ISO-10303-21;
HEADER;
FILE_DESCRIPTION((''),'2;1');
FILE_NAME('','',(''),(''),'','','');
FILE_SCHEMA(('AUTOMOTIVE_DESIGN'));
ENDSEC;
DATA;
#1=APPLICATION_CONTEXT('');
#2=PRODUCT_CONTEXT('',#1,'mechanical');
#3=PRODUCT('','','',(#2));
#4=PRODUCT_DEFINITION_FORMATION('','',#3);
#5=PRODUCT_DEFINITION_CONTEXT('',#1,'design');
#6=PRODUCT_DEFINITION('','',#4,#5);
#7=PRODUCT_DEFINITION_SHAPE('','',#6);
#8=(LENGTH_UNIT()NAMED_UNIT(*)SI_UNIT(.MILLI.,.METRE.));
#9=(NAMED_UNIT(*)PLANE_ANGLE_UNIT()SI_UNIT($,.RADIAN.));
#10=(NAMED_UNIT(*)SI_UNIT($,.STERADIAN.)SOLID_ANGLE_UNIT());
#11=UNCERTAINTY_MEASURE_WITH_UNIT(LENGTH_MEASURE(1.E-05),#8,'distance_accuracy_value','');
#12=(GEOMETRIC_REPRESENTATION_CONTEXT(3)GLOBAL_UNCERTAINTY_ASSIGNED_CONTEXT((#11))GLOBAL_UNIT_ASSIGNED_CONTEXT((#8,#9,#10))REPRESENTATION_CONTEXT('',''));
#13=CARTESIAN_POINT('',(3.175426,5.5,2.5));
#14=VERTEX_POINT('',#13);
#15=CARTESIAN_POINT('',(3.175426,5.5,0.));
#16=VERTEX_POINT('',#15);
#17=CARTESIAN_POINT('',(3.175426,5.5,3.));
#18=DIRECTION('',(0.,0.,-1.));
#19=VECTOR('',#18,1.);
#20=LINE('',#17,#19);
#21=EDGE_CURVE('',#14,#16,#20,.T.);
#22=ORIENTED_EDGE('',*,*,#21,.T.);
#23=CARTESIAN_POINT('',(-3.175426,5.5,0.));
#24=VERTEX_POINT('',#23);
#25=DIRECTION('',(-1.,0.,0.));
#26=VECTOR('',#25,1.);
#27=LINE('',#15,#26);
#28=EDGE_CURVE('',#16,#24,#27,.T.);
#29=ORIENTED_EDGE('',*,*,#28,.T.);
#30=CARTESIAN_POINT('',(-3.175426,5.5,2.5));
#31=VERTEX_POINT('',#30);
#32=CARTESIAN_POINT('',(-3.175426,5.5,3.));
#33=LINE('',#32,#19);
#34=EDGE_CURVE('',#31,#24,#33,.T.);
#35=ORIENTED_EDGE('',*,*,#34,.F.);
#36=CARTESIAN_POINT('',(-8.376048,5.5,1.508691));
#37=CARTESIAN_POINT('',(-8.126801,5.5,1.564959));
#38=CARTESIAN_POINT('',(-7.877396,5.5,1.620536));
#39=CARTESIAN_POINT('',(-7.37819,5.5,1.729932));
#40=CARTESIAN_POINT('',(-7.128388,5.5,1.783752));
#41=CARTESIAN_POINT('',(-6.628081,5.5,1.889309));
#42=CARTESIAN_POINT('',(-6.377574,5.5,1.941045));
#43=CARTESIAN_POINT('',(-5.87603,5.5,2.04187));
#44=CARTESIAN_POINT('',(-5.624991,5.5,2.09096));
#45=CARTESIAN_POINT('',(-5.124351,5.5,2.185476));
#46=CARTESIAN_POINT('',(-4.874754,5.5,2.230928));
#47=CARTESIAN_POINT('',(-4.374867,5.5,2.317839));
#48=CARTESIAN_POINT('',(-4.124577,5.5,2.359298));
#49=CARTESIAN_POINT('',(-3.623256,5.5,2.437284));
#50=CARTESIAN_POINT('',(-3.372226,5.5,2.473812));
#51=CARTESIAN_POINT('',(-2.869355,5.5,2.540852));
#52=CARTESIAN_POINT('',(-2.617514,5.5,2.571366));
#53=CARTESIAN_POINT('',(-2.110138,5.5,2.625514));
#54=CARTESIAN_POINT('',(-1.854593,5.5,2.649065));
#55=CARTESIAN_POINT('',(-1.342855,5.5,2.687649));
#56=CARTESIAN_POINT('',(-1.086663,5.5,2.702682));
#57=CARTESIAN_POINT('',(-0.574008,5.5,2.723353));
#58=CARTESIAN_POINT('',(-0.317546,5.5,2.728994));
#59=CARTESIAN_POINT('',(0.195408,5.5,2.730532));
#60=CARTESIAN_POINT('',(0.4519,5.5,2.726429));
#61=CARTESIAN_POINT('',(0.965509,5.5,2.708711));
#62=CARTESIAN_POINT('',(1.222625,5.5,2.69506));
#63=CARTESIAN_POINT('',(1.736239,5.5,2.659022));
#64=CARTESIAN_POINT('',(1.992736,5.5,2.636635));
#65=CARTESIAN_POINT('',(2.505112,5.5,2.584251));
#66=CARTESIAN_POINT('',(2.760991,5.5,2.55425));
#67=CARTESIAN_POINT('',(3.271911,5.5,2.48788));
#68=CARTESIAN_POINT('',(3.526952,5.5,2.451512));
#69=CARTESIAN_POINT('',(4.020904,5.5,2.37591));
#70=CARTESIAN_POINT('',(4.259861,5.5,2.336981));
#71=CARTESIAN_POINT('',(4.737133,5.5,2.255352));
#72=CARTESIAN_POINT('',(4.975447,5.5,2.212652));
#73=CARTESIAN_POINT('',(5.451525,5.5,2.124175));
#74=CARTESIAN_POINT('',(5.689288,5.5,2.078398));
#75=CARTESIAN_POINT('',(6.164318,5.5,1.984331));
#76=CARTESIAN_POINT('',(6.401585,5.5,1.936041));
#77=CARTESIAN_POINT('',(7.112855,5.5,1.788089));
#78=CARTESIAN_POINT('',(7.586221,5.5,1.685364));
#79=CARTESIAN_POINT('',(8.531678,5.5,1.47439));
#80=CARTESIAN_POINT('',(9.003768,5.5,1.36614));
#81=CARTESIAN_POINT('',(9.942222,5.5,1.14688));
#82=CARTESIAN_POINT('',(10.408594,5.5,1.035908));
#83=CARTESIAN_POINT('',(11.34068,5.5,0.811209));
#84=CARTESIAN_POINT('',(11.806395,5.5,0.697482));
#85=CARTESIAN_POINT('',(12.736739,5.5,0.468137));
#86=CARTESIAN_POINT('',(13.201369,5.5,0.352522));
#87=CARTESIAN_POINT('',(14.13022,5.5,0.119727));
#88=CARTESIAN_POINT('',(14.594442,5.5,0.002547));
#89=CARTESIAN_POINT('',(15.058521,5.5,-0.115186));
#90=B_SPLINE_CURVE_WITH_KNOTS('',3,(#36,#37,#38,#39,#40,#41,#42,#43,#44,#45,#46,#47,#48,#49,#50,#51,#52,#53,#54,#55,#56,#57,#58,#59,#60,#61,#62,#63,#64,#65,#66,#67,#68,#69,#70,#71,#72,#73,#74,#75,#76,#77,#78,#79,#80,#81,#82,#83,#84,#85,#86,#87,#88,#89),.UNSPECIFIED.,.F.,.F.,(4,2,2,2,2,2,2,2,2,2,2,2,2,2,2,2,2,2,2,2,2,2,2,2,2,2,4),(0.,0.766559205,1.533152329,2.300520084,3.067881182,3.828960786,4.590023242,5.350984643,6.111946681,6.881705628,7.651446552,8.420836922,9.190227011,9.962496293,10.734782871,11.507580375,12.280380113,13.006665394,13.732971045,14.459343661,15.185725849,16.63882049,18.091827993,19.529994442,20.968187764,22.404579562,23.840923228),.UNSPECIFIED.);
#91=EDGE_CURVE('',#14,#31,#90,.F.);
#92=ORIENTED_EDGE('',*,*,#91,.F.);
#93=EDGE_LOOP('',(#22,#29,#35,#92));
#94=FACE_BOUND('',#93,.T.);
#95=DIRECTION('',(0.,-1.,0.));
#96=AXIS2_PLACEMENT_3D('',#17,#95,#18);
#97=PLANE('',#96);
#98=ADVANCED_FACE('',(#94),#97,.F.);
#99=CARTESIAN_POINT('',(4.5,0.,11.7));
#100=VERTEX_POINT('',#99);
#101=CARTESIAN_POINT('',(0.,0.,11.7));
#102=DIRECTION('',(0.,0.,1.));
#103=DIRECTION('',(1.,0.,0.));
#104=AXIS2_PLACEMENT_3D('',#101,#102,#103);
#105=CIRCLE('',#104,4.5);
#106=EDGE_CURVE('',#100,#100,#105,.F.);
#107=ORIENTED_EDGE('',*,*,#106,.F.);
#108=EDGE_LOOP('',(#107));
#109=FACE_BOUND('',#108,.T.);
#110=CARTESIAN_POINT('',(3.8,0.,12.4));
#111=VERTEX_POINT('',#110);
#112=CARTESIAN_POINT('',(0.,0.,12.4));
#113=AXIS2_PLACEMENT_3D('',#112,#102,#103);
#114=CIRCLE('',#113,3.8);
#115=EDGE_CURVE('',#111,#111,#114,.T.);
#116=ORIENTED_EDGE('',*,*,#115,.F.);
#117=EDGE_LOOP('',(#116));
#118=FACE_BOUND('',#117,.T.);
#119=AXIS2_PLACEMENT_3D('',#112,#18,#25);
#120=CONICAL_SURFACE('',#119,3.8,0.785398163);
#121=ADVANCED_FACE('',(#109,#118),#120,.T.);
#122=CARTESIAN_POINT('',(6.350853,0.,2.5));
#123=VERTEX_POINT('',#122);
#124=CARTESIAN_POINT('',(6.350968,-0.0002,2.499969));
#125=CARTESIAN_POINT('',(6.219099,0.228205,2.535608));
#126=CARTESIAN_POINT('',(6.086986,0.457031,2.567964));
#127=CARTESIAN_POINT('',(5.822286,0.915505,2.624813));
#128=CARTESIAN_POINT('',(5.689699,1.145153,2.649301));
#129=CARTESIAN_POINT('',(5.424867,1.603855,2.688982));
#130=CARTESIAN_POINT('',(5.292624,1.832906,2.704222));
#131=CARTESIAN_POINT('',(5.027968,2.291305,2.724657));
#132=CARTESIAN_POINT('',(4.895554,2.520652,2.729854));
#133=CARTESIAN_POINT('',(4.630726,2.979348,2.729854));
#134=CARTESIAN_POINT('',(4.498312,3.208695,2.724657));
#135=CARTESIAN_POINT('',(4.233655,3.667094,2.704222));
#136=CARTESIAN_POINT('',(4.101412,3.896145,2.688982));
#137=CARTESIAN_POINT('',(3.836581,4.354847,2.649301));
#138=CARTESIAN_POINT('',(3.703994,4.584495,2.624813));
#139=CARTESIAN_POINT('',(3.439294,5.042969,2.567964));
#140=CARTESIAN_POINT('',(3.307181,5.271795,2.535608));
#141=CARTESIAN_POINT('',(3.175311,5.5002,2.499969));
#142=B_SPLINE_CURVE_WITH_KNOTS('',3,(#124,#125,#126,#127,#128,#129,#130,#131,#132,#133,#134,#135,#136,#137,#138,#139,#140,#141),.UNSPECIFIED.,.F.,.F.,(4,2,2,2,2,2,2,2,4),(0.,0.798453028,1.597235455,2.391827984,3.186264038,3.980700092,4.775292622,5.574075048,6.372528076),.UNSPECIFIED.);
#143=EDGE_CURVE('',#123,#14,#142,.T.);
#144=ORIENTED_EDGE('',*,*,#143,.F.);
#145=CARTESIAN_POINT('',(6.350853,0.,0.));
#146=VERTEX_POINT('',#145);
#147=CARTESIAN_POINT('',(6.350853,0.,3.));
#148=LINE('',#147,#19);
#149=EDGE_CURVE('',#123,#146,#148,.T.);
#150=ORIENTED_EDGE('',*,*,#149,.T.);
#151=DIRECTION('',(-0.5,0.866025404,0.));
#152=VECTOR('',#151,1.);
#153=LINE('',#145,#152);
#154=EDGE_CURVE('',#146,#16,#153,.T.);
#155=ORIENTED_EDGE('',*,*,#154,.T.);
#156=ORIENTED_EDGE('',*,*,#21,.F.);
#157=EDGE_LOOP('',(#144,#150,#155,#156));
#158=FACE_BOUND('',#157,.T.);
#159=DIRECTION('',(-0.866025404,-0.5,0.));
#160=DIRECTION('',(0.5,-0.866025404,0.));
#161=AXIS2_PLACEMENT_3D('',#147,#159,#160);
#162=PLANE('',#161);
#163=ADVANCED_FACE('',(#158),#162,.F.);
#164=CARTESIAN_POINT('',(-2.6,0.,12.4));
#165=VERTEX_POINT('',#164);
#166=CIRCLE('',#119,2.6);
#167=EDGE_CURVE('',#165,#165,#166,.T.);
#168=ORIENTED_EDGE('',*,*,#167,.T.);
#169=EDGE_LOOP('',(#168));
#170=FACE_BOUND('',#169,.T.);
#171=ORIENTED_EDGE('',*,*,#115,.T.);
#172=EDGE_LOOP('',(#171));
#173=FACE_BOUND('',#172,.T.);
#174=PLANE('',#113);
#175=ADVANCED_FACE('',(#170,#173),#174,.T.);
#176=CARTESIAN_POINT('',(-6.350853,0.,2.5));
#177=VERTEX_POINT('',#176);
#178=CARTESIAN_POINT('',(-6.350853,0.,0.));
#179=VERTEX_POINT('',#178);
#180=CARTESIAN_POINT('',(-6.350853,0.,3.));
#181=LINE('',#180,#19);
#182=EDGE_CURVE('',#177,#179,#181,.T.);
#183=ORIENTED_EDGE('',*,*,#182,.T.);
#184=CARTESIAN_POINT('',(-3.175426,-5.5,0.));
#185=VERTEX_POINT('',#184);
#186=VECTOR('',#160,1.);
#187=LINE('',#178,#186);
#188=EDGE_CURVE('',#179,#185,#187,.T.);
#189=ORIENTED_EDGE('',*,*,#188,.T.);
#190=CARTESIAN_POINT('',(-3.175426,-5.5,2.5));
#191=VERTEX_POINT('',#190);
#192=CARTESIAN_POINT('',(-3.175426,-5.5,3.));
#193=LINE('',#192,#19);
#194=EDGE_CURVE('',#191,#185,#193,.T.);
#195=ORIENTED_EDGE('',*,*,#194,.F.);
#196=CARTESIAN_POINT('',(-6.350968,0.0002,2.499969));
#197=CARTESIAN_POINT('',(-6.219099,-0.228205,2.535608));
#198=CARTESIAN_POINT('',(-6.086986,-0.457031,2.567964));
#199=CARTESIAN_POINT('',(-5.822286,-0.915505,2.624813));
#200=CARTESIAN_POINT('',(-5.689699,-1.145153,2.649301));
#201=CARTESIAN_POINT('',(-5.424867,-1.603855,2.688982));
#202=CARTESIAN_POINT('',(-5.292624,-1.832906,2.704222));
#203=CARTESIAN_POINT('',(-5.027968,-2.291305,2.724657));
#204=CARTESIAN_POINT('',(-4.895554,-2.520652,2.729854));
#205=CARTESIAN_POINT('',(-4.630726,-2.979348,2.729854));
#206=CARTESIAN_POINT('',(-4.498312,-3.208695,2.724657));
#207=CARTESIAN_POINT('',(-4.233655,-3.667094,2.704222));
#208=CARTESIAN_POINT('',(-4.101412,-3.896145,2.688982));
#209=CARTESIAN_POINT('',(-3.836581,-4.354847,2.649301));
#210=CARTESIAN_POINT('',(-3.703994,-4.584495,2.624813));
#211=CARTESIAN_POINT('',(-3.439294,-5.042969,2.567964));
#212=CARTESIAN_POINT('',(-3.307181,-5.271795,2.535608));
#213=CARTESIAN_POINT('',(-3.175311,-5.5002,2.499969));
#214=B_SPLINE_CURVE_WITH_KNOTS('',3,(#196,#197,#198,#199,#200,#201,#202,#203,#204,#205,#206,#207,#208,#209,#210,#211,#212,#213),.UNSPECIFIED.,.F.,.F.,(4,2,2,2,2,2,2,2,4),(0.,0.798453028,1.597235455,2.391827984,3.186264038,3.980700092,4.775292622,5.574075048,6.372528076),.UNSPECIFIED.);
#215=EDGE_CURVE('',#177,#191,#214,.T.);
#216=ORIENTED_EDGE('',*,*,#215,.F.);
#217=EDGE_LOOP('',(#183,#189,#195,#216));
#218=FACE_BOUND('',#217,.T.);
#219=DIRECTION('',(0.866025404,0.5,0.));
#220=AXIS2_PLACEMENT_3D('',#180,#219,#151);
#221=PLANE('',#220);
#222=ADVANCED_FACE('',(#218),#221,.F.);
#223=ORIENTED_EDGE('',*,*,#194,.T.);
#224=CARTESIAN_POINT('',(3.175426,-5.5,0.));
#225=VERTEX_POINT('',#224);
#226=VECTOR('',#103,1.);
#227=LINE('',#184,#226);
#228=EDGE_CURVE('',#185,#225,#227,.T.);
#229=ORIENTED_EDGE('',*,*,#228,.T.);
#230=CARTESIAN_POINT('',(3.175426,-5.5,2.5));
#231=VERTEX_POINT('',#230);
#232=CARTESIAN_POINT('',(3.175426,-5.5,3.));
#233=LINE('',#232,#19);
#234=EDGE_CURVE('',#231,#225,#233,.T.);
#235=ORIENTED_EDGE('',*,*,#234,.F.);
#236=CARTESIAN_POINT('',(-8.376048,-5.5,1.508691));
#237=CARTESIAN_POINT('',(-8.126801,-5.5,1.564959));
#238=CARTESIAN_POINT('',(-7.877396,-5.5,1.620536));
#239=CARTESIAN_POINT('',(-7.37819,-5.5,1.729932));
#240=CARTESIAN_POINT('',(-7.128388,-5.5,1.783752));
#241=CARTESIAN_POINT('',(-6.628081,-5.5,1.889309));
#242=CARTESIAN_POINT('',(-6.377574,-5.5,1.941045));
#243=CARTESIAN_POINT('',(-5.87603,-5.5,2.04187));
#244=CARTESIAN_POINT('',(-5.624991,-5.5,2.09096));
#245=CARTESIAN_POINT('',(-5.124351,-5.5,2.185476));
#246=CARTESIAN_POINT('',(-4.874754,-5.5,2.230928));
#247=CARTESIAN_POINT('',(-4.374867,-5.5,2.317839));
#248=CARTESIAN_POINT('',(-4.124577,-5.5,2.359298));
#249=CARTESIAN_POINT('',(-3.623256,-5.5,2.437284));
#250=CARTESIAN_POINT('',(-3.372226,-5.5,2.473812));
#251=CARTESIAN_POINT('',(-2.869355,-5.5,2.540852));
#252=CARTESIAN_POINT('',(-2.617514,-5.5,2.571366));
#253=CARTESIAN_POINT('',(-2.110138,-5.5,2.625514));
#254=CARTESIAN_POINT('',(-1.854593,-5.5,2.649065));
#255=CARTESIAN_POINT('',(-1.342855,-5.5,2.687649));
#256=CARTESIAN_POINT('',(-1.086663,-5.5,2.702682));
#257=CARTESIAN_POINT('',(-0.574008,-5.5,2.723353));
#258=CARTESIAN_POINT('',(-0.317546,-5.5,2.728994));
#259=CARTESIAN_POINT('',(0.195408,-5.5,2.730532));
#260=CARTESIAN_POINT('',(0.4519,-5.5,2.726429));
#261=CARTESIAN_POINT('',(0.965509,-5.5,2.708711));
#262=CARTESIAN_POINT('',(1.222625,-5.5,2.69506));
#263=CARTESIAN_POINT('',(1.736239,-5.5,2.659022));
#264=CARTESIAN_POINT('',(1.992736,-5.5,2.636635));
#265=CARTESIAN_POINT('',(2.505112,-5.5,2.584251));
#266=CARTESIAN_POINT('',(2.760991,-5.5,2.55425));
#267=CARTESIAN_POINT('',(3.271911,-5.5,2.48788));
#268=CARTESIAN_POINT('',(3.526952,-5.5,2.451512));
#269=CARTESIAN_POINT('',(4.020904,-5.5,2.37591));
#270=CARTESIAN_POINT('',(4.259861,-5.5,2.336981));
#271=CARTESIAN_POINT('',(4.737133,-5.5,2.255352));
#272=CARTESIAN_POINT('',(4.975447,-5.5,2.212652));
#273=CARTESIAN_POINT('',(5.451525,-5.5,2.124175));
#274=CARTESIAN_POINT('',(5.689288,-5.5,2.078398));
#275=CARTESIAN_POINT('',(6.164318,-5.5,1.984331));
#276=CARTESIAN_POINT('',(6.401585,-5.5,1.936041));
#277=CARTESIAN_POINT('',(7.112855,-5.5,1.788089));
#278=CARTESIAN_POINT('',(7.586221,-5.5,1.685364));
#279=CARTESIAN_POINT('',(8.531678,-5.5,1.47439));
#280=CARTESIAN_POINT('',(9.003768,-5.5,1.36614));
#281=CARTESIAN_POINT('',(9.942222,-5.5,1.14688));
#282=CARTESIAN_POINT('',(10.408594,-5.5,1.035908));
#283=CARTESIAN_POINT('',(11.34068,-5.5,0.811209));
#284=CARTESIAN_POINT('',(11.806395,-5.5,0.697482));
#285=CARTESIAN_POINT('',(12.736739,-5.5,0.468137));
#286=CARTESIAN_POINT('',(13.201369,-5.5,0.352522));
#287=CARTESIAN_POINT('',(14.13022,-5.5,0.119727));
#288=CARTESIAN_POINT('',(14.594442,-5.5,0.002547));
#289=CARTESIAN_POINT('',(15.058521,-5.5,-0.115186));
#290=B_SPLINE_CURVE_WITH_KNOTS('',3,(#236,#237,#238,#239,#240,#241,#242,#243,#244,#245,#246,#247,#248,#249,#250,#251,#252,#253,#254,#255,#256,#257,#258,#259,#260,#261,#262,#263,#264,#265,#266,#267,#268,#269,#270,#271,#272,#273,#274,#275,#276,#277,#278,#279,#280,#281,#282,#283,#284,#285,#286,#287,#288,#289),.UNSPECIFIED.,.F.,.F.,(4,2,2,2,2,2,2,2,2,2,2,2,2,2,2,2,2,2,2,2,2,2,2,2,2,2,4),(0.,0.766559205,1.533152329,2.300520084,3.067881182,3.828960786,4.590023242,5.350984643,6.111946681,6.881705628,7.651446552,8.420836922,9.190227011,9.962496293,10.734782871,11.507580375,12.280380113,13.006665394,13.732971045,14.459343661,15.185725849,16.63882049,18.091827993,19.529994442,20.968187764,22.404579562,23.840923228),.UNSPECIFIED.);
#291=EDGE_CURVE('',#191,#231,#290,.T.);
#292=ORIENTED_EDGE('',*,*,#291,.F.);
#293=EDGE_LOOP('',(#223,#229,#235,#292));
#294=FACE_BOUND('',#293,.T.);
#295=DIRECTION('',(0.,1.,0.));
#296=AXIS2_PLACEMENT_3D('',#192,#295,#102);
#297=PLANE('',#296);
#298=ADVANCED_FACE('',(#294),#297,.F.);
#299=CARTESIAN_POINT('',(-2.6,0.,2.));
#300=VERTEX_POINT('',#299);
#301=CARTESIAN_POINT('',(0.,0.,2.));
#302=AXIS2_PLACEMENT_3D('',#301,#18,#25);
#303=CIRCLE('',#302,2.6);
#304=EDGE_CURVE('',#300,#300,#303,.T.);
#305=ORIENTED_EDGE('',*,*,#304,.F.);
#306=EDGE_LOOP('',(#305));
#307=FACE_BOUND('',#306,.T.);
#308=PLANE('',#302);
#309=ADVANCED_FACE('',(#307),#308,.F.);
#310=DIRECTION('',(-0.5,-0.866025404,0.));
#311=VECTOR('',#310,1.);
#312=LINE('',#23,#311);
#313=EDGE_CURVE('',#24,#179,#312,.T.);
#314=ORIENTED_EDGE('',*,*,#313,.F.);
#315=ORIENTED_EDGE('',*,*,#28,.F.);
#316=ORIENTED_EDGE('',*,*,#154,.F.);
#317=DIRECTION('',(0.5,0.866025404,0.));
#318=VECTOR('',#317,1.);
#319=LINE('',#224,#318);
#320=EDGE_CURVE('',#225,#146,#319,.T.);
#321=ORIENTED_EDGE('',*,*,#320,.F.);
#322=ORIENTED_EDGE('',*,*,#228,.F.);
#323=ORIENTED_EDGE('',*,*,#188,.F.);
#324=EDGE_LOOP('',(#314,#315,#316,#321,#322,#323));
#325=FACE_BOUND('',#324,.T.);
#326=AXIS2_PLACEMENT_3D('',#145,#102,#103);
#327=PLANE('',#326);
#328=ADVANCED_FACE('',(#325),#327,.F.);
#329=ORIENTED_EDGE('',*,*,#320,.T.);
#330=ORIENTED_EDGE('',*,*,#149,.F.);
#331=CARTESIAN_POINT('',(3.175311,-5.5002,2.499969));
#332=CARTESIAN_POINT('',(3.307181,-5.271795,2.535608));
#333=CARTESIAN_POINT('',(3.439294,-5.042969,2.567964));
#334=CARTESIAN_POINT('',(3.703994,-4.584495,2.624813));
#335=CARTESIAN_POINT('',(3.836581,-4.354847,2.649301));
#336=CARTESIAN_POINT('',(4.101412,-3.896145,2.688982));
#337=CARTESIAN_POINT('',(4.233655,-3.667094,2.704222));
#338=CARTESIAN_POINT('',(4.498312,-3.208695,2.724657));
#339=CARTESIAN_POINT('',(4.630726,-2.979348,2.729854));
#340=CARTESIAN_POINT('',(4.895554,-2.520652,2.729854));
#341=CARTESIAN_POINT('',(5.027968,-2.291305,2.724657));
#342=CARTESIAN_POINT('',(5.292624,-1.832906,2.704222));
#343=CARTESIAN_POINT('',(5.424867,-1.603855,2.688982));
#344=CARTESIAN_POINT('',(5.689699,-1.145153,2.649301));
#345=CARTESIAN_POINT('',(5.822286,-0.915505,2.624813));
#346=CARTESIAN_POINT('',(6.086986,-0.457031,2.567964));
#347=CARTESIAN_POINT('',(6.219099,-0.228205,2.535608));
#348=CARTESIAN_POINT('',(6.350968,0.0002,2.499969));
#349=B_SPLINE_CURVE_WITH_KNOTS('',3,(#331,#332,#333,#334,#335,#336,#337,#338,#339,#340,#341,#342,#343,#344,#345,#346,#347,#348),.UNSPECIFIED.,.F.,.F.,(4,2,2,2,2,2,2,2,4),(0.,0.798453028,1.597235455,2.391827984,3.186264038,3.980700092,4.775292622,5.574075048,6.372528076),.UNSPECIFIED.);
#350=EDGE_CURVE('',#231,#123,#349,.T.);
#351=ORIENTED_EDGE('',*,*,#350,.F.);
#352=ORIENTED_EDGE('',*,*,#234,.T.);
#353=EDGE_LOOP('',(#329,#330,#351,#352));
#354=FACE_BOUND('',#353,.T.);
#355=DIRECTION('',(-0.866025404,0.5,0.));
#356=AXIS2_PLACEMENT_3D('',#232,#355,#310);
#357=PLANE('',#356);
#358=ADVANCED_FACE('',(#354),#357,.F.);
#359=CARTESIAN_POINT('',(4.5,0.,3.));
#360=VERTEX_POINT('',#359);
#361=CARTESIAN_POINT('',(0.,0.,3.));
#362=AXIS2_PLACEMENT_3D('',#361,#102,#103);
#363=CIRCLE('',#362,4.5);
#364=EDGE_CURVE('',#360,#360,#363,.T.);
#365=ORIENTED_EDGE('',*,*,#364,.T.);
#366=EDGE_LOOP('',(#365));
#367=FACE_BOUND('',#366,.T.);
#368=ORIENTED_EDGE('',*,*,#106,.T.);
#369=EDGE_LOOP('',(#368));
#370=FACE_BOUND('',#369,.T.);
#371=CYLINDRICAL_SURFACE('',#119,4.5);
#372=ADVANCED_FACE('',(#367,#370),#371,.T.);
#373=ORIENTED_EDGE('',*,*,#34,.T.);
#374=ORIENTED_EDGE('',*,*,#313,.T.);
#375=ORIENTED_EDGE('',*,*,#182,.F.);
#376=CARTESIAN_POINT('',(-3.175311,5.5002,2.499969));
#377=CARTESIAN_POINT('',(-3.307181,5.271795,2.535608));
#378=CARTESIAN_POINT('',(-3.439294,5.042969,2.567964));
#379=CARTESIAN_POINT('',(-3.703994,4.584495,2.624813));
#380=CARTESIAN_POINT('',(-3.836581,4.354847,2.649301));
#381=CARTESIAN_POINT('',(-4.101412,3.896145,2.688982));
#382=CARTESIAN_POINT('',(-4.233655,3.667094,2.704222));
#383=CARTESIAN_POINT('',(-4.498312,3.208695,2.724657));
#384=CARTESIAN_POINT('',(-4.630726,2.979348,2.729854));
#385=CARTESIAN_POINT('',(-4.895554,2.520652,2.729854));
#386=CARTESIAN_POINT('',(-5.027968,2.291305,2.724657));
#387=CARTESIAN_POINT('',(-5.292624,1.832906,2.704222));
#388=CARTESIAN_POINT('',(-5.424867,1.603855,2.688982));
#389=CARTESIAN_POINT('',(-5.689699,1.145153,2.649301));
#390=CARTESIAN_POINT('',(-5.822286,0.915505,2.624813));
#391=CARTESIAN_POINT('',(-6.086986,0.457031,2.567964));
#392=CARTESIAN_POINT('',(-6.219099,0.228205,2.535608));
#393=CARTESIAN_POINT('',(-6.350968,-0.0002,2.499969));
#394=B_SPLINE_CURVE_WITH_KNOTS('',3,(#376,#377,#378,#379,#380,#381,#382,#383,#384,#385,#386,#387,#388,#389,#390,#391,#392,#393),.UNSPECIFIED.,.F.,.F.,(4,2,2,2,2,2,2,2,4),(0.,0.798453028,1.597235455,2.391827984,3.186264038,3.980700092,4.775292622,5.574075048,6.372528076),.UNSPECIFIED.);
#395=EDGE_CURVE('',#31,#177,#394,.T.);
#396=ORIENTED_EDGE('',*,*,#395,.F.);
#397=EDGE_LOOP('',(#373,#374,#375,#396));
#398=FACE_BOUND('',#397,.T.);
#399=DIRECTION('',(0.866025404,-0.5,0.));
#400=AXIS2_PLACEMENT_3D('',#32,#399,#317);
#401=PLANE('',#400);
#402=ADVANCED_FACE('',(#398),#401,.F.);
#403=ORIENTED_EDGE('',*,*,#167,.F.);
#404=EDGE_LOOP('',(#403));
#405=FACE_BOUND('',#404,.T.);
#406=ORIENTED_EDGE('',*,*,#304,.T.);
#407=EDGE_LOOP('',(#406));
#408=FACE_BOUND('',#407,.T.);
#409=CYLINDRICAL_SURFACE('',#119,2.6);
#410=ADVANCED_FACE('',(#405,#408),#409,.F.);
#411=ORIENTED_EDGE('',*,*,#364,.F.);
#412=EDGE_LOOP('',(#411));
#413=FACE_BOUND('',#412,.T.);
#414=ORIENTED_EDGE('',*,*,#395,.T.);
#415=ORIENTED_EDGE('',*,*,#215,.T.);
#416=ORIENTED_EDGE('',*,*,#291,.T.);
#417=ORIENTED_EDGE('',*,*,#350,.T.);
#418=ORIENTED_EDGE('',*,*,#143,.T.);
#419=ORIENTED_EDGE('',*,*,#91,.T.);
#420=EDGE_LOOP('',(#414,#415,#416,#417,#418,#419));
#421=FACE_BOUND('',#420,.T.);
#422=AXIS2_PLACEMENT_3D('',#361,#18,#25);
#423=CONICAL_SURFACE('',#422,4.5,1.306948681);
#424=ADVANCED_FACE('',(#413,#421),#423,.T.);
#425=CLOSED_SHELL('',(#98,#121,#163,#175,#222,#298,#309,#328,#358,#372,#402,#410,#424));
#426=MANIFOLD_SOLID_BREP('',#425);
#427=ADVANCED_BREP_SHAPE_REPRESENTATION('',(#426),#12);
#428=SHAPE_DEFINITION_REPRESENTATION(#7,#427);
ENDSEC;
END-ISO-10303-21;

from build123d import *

# Parameters (mm, degrees)
BOSS_EXTRUDE1_DEPTH = 3
SKETCH2_R           = 4.5
BOSS_EXTRUDE2_DEPTH = 9.4
CUT_EXTRUDE1_START  = -2
SKETCH3_R           = 2.6
CUT_EXTRUDE1_DEPTH  = 13.978095117
CHAMFER2_SIZE       = 0.7


with BuildPart() as part:
    # Sketch1 → Boss-Extrude1 (new body)
    with BuildSketch(Plane.XY):
        Polygon((6.350852961, 0), (3.175426481, 5.5), (-3.175426481, 5.5), (-6.350852961, 0), (-3.175426481, -5.5), (3.175426481, -5.5), align=None)
    extrude(amount=BOSS_EXTRUDE1_DEPTH)

    # Sketch2 → Boss-Extrude2 (add)
    with BuildSketch(Plane.XY.offset(3)):
        Circle(SKETCH2_R)
    extrude(amount=BOSS_EXTRUDE2_DEPTH)

    # Sketch3 → Cut-Extrude1 (cut, through all)
    with BuildSketch(Plane(origin=(0, 0, 0), x_dir=(-1, 0, 0), z_dir=(0, 0, -1)).offset(CUT_EXTRUDE1_START)):
        Circle(SKETCH3_R)
    extrude(amount=-CUT_EXTRUDE1_DEPTH, mode=Mode.SUBTRACT)

    # Sketch5 → Cut-Revolve2 (revolve, cut)
    with BuildSketch(Plane(origin=(0, 0, 0), x_dir=(1, 0, 0), z_dir=(0, 1, 0)), mode=Mode.PRIVATE) as cut_revolve2_sk:
        Polygon((-4.5, -3), (-6.350852961, -3), (-6.350852961, -2.5), align=None)
    revolve(cut_revolve2_sk.sketch.rotate(Axis((0, 0, 12.4), (0, 0, -1)), 180), axis=Axis((0, 0, 12.4), (0, 0, -1)), mode=Mode.SUBTRACT)

    # Chamfer2
    chamfer2_edges = [part.edges().sort_by_distance(p)[0] for p in [
        (-4.5, 0, 12.4),
    ]]
    chamfer(chamfer2_edges, length=CHAMFER2_SIZE)


solid = part.part
